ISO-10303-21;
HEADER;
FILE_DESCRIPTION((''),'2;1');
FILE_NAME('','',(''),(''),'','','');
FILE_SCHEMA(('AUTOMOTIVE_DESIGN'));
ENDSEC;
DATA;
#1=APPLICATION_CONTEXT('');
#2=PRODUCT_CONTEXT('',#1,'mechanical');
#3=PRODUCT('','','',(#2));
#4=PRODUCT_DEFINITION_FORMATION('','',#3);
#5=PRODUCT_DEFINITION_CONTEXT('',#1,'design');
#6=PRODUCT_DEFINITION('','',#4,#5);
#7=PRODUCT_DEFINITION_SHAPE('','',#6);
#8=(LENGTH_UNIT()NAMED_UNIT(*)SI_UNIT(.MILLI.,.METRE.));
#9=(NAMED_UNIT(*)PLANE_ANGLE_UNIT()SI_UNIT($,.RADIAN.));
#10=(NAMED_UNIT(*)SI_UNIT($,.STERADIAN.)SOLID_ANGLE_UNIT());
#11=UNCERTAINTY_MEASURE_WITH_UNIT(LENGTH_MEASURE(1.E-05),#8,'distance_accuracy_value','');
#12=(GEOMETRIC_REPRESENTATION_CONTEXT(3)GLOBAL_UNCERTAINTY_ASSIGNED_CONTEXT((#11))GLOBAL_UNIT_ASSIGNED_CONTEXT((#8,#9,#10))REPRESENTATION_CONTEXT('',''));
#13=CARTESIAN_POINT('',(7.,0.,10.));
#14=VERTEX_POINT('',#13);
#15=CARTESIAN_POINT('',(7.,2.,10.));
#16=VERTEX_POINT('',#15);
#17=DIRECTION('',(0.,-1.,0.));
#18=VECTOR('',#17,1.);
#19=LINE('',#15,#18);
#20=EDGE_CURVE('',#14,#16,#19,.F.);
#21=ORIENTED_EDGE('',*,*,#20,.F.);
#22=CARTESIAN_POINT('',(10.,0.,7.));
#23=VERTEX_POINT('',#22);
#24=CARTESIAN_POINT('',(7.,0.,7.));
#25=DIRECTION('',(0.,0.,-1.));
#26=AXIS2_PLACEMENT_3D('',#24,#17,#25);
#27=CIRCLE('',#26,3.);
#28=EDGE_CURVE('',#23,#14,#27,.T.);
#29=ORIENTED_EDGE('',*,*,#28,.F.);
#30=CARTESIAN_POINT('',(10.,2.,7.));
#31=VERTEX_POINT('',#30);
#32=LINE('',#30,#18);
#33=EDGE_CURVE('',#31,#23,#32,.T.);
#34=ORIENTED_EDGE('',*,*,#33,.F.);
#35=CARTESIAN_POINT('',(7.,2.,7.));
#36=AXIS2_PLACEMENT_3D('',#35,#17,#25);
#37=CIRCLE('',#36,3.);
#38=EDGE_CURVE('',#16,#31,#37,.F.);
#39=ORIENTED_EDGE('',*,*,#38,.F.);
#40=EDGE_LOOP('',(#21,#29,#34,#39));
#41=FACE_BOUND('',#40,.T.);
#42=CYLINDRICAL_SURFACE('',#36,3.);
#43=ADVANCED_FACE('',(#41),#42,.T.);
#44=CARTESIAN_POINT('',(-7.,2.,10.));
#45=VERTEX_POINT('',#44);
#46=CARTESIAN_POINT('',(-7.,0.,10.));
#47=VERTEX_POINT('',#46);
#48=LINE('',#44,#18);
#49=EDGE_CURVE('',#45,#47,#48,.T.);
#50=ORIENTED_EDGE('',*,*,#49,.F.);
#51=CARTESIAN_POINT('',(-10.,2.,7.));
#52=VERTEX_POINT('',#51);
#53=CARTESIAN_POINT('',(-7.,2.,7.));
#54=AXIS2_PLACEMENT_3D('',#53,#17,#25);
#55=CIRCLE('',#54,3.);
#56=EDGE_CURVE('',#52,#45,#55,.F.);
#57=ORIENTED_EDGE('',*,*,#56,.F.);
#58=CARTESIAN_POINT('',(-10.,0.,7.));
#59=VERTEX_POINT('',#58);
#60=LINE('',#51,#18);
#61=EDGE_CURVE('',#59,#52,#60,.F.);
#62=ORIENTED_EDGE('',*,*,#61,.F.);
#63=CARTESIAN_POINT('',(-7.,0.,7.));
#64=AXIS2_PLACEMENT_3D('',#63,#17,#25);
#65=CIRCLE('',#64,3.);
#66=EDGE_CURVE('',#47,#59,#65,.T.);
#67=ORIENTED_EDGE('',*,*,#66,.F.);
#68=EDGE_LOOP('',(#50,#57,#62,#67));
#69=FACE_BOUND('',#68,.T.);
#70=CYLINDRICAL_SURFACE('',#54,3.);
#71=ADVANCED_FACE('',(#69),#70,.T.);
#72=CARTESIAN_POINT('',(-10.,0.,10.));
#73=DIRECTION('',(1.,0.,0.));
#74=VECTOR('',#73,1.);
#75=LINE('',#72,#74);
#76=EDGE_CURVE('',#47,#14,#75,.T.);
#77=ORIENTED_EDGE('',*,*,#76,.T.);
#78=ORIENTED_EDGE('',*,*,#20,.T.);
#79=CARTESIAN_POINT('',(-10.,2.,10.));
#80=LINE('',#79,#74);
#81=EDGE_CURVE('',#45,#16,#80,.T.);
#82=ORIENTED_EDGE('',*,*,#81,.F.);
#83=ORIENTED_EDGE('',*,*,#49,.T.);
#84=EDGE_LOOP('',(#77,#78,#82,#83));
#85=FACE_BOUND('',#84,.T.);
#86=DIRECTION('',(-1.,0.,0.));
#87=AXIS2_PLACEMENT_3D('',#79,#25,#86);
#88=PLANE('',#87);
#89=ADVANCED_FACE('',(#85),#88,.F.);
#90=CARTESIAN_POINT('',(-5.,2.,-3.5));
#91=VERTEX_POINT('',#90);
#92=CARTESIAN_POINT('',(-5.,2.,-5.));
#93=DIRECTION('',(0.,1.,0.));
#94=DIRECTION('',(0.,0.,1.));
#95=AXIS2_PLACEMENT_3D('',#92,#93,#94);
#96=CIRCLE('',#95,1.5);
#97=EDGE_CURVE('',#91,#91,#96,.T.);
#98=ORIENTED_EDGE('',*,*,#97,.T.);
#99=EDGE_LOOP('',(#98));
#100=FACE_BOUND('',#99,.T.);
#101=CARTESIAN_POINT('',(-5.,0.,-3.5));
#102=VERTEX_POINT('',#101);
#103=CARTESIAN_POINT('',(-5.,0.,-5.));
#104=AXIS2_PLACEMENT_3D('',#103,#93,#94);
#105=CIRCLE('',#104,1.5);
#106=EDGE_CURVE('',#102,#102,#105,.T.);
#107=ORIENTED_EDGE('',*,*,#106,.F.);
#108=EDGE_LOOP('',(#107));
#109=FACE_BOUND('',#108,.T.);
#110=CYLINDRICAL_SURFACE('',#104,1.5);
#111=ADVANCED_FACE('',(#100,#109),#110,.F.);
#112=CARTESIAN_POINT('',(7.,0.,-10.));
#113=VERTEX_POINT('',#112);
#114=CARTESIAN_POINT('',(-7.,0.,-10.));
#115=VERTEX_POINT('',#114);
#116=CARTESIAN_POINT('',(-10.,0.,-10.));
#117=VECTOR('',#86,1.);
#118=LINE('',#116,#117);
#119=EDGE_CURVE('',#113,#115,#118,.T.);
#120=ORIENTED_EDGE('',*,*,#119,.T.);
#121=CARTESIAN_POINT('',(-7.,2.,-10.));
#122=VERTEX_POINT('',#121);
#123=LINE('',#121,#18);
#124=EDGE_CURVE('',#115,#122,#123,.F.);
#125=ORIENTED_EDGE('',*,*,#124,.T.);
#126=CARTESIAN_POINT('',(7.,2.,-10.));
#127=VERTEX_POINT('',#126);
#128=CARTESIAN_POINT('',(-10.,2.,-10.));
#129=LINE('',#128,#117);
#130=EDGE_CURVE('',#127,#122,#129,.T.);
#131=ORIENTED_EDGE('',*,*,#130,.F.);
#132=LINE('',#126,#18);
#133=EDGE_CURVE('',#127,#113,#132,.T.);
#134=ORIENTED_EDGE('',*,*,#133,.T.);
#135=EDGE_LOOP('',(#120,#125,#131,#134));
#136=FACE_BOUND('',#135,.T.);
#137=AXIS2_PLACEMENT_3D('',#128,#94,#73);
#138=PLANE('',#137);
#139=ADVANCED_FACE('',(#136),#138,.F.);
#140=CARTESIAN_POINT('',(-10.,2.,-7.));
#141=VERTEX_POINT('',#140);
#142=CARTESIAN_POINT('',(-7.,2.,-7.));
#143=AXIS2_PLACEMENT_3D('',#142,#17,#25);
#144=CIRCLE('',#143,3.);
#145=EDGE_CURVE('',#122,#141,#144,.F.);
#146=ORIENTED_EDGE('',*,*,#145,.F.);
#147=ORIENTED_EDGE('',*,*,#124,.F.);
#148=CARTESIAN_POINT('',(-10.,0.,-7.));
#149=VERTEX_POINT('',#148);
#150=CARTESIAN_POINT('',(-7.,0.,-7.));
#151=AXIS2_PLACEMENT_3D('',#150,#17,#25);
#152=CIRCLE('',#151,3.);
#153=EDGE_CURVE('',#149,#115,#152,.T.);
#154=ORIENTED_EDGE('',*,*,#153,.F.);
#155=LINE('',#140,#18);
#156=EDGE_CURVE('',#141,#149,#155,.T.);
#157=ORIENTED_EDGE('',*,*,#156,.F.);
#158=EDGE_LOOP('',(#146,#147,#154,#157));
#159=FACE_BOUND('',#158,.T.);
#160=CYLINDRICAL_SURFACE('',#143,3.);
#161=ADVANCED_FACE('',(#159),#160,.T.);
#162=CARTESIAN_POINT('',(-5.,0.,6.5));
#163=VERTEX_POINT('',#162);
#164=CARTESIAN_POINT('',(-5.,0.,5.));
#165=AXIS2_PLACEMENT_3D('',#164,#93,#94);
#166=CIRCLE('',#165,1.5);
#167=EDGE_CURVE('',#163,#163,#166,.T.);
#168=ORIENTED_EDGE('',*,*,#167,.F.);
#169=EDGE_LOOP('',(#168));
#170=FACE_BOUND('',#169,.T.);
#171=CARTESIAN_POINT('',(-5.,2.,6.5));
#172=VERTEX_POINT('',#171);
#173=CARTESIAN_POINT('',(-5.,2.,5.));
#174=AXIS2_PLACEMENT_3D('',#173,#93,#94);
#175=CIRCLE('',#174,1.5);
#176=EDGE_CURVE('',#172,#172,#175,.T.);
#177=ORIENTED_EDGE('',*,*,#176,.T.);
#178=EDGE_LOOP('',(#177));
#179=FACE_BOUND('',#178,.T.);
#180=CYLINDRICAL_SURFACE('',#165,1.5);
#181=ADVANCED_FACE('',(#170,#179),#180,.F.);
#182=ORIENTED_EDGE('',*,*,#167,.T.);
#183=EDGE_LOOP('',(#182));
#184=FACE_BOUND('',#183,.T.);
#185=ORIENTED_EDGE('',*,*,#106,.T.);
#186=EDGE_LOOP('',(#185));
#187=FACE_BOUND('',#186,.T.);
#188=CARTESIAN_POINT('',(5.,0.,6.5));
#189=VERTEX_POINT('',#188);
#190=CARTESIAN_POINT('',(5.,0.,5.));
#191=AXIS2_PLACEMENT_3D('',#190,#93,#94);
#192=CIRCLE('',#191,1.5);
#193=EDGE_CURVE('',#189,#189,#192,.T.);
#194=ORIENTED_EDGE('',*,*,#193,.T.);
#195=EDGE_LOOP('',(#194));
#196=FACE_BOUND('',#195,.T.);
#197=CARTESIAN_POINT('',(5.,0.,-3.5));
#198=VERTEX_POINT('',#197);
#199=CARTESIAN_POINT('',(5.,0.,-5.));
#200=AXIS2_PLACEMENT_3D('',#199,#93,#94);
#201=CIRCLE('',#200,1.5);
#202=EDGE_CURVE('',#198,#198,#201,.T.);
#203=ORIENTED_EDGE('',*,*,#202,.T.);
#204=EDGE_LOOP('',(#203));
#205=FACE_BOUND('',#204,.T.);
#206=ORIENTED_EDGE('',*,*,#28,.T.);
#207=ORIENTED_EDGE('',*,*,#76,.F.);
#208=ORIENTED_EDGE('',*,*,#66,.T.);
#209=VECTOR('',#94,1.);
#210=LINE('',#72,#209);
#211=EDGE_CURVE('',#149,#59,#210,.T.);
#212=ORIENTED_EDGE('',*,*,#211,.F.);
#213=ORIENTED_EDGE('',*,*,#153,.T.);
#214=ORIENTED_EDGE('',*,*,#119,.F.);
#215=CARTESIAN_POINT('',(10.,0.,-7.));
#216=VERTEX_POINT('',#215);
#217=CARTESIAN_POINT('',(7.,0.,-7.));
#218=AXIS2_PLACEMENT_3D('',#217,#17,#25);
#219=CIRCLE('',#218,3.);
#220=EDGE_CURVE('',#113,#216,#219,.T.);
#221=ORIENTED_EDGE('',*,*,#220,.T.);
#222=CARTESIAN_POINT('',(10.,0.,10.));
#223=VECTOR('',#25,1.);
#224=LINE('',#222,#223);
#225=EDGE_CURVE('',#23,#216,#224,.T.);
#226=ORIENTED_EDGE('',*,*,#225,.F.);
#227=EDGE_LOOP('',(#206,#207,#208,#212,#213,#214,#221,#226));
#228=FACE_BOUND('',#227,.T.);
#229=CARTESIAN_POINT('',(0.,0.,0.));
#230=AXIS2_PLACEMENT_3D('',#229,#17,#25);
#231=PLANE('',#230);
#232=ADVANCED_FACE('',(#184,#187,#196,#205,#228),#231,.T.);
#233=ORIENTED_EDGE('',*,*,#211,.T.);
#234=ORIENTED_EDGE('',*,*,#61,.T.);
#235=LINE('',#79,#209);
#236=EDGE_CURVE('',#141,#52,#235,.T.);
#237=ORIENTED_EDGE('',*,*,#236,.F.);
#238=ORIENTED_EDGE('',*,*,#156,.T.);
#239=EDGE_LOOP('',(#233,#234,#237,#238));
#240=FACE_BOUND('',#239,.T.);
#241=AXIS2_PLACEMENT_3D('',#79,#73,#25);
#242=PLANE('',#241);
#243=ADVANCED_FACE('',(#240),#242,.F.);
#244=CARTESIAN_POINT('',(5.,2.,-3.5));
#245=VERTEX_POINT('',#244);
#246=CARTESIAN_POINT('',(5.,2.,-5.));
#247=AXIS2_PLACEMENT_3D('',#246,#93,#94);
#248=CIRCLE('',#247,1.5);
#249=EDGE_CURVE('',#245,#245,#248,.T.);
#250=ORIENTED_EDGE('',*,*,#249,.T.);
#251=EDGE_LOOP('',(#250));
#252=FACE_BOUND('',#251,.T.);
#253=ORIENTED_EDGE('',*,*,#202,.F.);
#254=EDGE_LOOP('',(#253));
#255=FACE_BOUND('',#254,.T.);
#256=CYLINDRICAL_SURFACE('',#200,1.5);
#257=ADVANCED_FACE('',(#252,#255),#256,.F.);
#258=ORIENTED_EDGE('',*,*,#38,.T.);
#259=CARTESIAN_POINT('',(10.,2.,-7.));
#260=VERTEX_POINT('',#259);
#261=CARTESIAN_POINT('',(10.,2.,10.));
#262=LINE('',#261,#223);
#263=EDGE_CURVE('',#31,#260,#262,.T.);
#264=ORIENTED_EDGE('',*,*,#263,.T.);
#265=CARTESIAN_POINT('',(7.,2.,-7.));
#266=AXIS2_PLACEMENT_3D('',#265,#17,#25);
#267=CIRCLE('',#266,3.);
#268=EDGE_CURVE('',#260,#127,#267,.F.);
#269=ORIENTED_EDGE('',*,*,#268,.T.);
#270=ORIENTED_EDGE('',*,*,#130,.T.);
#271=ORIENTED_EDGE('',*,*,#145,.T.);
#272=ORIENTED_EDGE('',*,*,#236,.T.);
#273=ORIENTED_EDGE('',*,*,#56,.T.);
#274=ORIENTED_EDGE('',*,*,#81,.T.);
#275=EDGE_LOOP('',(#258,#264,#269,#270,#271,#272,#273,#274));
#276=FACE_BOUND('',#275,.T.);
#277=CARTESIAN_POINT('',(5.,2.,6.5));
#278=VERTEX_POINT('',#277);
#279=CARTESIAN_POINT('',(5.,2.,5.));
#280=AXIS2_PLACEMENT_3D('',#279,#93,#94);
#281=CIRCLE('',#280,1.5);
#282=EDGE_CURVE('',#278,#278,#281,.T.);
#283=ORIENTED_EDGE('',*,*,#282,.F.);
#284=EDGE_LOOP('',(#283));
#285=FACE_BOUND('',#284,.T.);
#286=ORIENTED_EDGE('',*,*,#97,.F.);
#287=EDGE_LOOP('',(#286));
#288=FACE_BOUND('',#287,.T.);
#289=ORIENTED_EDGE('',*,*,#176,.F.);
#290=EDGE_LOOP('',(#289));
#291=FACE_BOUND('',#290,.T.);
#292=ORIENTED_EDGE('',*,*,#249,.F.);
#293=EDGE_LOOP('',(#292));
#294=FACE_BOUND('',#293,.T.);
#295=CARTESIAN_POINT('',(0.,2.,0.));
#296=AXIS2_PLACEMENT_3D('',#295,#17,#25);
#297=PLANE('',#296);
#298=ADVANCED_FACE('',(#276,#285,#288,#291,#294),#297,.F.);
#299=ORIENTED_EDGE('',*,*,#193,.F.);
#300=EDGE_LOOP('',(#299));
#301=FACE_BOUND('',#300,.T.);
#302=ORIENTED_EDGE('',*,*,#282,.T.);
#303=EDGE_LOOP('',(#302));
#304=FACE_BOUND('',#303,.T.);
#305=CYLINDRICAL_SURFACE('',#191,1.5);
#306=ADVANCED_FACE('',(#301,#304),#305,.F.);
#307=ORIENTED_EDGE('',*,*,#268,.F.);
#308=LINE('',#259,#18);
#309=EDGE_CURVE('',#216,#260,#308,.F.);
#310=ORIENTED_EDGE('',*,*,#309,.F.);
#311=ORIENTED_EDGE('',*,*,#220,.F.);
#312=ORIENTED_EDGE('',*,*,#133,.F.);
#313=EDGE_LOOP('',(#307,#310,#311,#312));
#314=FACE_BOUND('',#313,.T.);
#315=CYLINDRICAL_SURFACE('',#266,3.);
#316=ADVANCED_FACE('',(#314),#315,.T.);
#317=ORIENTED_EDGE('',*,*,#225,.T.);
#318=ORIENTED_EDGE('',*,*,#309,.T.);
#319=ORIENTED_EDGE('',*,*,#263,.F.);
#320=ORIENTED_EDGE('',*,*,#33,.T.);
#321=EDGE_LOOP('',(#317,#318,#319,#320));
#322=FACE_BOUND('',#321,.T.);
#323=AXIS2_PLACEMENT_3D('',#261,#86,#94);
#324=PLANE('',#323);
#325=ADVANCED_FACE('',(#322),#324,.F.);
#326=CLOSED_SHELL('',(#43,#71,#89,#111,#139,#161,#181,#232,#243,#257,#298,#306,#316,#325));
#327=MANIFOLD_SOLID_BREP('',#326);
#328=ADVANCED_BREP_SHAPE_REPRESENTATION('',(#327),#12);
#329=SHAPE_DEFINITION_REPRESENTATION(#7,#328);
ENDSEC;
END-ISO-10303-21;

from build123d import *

# Parameters (mm, degrees)
SKETCH_1_W          = 20
SKETCH_1_H          = 20
EXTRUDE_1_DEPTH     = 2
SKETCH_2_R          = 1.5
CUT_EXTRUDE_1_DEPTH = 15.282856857
FILLET_1_R          = 3


with BuildPart() as part:
    # 草图1 → 凸台-拉伸1 (new body)
    with BuildSketch(Plane(origin=(0, 0, 0), x_dir=(1, 0, 0), z_dir=(0, 1, 0))):
        Rectangle(SKETCH_1_W, SKETCH_1_H)
    extrude(amount=EXTRUDE_1_DEPTH)

    # 草图2 → 切除-拉伸1 (cut, through all)
    with BuildSketch(Plane(origin=(0, 2, 0), x_dir=(1, 0, 0), z_dir=(0, 1, 0))):
        with Locations(Location((-5, 5, 0), (0, 0, 270))):
            Circle(SKETCH_2_R)
        with Locations(Location((5, 5, 0), (0, 0, 270))):
            Circle(SKETCH_2_R)
        with Locations(Location((-5, -5, 0), (0, 0, 270))):
            Circle(SKETCH_2_R)
        with Locations(Location((5, -5, 0), (0, 0, 270))):
            Circle(SKETCH_2_R)
    extrude(amount=-CUT_EXTRUDE_1_DEPTH, mode=Mode.SUBTRACT)

    # 圆角1
    fillet_1_edges = [part.edges().sort_by_distance(p)[0] for p in [
        (10, 1, 10),
        (-10, 1, 10),
        (-10, 1, -10),
        (10, 1, -10),
    ]]
    fillet(fillet_1_edges, radius=FILLET_1_R)


solid = part.part
